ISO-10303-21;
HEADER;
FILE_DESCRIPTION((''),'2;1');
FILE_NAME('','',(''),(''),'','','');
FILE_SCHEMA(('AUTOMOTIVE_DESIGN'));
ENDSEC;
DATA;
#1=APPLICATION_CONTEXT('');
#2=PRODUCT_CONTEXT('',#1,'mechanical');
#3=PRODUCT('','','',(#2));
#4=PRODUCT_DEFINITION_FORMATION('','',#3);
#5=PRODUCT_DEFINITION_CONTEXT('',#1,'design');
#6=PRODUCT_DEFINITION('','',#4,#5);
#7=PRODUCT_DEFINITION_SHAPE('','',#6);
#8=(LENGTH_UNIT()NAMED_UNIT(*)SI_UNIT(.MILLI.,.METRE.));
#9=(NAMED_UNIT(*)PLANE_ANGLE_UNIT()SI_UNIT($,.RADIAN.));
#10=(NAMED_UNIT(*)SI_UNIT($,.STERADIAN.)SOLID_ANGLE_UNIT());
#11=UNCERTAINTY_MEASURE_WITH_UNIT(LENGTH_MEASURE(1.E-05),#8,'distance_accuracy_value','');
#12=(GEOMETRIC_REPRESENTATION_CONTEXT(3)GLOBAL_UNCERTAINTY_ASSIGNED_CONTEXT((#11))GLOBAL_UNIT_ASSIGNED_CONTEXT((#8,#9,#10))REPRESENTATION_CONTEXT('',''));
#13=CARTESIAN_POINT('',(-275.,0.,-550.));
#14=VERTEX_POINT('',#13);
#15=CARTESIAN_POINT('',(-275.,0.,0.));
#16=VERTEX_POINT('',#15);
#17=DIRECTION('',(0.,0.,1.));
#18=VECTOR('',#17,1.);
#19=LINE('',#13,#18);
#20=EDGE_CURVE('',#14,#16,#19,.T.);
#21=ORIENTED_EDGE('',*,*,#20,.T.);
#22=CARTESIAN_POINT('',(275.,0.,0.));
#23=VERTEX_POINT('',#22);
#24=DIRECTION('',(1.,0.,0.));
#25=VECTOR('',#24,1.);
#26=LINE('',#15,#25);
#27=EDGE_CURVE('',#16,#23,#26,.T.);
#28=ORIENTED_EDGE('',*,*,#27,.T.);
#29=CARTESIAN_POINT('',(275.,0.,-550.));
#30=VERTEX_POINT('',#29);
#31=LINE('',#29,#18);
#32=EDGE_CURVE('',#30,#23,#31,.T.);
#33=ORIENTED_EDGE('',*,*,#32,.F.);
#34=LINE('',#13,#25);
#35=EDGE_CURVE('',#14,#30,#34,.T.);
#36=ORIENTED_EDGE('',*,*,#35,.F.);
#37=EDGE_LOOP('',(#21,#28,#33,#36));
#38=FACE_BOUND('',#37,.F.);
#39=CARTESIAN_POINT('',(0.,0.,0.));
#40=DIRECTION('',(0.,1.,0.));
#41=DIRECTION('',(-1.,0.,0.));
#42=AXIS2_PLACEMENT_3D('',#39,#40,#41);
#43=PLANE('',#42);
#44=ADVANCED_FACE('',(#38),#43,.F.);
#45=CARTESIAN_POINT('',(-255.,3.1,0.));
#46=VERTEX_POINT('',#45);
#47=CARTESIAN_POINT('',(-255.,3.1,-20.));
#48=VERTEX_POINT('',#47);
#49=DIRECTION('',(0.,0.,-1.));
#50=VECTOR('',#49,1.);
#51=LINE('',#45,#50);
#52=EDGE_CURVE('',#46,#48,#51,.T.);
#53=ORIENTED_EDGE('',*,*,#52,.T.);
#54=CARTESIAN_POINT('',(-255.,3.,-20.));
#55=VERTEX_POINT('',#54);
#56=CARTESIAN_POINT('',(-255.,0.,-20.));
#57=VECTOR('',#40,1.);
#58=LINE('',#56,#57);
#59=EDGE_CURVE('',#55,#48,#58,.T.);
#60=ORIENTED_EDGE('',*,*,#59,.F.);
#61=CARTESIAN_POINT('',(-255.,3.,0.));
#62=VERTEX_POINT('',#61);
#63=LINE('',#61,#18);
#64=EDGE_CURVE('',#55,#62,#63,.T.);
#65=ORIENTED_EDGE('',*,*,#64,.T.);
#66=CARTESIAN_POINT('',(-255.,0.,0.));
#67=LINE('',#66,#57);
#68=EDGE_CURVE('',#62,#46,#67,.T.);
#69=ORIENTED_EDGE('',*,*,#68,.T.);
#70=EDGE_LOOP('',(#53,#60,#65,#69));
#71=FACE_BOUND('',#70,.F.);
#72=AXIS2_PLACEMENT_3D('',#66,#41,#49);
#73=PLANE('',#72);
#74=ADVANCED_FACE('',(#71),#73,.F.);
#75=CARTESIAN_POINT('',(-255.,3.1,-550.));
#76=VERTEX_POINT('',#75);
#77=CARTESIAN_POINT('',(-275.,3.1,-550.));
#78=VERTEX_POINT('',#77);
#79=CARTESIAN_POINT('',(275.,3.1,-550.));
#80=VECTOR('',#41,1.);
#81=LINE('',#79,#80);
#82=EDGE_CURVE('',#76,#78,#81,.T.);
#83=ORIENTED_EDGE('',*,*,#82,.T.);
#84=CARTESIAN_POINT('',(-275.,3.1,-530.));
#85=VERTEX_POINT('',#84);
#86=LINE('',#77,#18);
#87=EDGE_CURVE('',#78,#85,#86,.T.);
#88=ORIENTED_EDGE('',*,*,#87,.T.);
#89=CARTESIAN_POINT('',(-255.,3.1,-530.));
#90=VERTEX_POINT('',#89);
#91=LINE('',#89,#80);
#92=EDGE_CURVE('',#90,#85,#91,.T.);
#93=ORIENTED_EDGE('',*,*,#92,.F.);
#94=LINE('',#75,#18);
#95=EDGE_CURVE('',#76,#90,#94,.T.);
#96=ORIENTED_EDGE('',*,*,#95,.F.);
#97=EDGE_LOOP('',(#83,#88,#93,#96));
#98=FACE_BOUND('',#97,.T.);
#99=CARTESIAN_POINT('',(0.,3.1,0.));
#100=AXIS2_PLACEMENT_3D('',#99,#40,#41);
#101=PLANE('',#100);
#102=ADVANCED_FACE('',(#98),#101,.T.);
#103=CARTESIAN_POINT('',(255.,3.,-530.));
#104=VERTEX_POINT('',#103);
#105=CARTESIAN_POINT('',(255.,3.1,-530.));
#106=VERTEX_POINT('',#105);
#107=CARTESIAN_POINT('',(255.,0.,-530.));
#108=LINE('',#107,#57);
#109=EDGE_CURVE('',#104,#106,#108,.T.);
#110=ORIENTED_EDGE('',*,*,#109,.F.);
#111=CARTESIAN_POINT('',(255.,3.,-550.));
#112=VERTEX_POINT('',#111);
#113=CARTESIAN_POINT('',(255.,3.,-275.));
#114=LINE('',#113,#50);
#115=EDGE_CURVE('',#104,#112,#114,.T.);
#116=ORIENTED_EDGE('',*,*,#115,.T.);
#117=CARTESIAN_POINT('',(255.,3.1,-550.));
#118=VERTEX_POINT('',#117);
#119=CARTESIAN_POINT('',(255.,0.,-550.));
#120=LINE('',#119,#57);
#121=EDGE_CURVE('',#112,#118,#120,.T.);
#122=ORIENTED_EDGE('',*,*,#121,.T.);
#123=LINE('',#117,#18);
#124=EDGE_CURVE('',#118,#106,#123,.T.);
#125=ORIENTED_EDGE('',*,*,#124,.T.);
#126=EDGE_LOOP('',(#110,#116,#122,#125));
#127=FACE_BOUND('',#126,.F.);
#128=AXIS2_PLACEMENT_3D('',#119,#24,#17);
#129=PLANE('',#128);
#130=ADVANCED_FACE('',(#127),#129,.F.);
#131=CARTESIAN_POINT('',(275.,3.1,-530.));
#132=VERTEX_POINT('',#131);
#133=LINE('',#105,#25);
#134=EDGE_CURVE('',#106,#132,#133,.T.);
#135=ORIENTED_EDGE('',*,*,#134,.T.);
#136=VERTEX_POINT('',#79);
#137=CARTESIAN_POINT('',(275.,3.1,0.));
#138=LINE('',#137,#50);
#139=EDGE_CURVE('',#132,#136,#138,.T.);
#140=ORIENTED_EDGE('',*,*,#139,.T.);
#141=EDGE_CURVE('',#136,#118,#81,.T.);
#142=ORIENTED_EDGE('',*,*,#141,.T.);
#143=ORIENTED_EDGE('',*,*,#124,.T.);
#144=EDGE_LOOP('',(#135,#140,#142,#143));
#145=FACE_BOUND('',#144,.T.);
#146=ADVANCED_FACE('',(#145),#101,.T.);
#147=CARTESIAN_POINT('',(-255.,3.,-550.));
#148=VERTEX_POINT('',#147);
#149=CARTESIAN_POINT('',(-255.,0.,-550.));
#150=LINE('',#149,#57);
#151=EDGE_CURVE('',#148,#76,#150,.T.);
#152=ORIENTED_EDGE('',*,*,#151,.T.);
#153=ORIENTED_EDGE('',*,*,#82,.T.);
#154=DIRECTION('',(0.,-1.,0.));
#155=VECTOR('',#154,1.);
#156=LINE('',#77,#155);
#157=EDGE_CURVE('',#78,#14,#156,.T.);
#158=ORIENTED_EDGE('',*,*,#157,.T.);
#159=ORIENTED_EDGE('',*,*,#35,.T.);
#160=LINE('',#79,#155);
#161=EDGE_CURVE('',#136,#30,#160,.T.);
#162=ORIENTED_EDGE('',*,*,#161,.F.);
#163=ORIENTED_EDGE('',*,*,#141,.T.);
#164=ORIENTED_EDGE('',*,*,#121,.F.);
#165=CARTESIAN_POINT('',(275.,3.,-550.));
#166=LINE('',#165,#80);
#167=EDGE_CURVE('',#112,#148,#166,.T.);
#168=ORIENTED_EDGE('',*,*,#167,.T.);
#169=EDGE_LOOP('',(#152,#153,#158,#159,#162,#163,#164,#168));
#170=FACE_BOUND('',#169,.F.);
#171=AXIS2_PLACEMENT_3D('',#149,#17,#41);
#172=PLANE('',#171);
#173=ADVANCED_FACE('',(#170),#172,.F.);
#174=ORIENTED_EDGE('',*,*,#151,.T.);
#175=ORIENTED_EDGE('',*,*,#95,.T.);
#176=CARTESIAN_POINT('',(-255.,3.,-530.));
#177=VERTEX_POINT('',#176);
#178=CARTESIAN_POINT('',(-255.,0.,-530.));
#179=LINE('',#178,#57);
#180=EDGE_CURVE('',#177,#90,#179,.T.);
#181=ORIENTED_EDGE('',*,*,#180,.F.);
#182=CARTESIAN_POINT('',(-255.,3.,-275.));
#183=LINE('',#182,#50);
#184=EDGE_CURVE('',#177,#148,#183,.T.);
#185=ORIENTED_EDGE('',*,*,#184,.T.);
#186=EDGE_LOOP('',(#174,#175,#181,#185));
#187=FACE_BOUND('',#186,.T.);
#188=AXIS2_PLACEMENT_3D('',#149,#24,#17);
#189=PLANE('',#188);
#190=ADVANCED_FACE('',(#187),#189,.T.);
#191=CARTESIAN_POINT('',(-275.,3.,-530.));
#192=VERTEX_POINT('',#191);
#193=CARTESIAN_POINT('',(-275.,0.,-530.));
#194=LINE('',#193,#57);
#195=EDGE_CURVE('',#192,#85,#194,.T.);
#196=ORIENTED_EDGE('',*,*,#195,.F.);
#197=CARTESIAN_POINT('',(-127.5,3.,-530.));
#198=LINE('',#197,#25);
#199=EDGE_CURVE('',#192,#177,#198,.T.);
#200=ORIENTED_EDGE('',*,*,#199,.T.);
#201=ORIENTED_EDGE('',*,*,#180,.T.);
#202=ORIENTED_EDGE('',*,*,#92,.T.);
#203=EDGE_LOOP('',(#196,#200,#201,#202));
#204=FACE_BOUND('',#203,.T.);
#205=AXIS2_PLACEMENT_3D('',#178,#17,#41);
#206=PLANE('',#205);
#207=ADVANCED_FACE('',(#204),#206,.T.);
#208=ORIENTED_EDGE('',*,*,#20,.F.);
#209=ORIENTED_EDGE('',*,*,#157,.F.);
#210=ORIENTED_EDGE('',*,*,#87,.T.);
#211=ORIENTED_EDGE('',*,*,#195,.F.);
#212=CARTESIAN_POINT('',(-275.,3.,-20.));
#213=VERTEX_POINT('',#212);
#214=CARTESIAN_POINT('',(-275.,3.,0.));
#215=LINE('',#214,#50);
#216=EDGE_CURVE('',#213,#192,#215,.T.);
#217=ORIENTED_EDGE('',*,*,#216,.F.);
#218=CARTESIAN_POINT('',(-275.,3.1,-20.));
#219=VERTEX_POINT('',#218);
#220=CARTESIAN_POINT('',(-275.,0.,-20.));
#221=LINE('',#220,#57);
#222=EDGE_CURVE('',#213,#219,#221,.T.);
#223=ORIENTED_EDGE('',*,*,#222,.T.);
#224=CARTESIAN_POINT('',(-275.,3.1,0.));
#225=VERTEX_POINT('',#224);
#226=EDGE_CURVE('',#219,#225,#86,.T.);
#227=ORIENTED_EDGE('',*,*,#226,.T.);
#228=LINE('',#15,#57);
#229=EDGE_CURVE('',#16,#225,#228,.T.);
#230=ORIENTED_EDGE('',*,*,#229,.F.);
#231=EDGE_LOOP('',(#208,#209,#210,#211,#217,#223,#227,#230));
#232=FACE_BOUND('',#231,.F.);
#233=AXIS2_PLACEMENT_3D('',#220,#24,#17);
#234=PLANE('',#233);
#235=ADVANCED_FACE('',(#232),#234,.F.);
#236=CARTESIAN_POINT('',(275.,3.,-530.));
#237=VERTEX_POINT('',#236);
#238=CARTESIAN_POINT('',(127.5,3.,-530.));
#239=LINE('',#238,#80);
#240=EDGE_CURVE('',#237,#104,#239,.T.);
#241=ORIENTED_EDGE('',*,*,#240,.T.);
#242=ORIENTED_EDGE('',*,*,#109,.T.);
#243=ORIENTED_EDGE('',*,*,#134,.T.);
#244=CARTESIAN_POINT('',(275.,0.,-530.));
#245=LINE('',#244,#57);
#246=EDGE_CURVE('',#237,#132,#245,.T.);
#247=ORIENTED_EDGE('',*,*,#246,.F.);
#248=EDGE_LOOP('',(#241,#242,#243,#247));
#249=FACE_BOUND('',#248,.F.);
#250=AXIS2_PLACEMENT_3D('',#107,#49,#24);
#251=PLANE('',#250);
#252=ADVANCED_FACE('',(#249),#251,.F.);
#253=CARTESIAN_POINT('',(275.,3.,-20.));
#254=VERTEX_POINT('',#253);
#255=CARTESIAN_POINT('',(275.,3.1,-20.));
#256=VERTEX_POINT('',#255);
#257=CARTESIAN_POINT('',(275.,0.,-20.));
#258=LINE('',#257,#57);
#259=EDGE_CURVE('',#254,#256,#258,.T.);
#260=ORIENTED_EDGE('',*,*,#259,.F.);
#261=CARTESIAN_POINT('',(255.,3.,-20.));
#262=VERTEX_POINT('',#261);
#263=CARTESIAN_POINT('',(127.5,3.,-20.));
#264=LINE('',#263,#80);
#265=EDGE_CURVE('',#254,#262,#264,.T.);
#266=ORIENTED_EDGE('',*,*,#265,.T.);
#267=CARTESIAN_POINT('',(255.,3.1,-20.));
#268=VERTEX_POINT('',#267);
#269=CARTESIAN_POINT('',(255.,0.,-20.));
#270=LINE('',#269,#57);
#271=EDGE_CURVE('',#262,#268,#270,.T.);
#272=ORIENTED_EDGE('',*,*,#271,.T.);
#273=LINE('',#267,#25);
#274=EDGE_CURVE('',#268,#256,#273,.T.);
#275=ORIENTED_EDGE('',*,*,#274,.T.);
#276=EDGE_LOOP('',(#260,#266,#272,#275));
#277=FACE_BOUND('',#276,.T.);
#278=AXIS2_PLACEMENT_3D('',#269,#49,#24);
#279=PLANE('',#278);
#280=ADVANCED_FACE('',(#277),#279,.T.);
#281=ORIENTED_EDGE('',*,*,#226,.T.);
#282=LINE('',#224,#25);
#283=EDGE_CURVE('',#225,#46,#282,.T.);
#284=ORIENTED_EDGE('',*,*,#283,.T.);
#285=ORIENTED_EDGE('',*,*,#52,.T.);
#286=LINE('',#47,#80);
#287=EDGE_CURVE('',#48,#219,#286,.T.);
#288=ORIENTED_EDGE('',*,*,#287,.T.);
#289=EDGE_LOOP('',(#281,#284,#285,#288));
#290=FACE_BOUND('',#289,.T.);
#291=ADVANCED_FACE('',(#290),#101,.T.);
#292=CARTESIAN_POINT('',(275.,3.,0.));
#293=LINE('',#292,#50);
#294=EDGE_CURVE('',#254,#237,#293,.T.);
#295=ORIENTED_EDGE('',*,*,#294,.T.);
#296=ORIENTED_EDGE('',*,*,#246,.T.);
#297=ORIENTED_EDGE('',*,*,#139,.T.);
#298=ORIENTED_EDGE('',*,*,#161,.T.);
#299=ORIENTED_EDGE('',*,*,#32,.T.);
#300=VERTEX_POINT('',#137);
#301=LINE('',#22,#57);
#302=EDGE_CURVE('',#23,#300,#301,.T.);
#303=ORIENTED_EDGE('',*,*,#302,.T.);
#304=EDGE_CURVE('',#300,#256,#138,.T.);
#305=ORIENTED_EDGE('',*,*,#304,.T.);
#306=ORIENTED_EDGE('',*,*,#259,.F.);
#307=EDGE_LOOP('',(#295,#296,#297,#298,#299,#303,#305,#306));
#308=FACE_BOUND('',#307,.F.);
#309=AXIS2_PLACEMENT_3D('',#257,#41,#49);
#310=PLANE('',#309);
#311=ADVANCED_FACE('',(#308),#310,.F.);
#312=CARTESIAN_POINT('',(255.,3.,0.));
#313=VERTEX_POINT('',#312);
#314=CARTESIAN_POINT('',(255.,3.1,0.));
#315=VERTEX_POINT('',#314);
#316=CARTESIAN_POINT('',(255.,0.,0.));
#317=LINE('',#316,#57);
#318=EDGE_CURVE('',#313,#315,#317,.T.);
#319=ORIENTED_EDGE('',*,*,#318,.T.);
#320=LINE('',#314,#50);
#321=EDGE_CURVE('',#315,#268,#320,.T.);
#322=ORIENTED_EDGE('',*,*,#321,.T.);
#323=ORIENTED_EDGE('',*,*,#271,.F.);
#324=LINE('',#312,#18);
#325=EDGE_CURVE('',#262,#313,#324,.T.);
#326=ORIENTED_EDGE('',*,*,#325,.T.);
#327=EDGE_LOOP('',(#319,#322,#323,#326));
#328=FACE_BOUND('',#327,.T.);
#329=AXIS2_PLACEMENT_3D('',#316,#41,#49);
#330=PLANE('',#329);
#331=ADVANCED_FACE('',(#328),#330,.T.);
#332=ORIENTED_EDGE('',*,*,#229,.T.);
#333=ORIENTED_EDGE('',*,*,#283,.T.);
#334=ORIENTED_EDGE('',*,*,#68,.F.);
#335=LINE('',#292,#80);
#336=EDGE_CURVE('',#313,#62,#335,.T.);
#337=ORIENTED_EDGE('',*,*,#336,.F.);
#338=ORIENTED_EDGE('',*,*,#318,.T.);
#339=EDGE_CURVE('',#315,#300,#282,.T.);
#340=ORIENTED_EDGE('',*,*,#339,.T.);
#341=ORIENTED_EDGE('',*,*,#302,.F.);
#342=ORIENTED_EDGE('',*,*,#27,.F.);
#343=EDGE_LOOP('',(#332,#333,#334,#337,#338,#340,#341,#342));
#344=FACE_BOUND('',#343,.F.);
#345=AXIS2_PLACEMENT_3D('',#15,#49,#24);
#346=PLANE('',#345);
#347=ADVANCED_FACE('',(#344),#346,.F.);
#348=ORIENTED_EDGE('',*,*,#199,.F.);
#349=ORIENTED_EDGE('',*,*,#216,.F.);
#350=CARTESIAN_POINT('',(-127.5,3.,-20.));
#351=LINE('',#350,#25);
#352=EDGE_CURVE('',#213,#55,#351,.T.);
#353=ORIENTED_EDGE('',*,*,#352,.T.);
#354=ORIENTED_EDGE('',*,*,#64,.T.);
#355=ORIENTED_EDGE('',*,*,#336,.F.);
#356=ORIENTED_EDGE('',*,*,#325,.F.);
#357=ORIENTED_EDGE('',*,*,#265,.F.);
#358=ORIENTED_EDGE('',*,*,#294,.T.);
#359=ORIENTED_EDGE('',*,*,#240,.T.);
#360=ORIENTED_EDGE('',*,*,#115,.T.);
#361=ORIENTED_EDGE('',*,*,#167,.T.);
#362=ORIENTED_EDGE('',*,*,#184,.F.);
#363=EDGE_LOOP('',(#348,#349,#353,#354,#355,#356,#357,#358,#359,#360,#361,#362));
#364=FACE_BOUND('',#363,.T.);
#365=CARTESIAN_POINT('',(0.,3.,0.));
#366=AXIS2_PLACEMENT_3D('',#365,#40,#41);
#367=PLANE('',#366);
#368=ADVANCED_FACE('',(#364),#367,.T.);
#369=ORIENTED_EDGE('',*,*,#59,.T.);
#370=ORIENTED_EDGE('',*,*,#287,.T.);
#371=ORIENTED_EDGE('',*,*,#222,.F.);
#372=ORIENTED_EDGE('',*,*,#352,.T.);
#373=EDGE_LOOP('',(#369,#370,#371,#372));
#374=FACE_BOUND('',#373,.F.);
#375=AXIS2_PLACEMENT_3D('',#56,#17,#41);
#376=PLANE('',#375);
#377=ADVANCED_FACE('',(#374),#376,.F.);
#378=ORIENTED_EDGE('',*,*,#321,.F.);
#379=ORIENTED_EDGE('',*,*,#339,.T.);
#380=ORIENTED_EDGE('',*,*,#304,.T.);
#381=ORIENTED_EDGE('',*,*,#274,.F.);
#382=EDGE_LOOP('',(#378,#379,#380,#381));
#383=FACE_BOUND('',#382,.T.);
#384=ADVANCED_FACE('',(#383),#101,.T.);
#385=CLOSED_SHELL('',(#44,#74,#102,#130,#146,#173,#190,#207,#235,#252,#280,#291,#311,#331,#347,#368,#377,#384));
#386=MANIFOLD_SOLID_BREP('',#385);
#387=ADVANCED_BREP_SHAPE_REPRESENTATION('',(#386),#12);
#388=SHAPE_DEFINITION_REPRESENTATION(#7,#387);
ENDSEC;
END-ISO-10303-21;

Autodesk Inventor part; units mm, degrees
ref_plane "YZ Plane" through (0, 0, 0) normal (1, 0, 0) x (0, 1, 0)
ref_plane "XZ Plane" through (0, 0, 0) normal (0, 1, 0) x (-1, 0, 0)
ref_plane "XY Plane" through (0, 0, 0) normal (0, 0, 1) x (1, 0, 0)
sketch "Sketch1" plane through (0, 0, 0) normal (0, 1, 0) x (-1, 0, 0)
  line L0 (275, 0) -> (-275, 0)
  line L1 (-275, 0) -> (-275, -550)
  line L2 (-275, -550) -> (275, -550)
  line L3 (275, -550) -> (275, 0)
  line L4 (275, 0) -> (255, 0)
  line L5 (255, 0) -> (255, -20)
  line L6 (255, -20) -> (275, -20)
  line L7 (275, -20) -> (275, 0)
  line L8 (275, -550) -> (255, -550)
  line L9 (255, -550) -> (255, -530)
  line L10 (255, -530) -> (275, -530)
  line L11 (275, -530) -> (275, -550)
  line L12 (-275, 0) -> (-255, 0)
  line L13 (-255, 0) -> (-255, -20)
  line L14 (-255, -20) -> (-275, -20)
  line L15 (-275, -20) -> (-275, 0)
  line L16 (-275, -550) -> (-255, -550)
  line L17 (-255, -550) -> (-255, -530)
  line L18 (-255, -530) -> (-275, -530)
  line L19 (-275, -530) -> (-275, -550)
  point P0 (0, 0)
  point P1 (0, 0)
  dimension "d0" = 550
  dimension "d1" = 550
  dimension "d4" = 20
  dimension "d5" = 20
  dimension "d6" = 20
  dimension "d7" = 20
  dimension "d8" = 20
  dimension "d9" = 20
  dimension "d10" = 20
  dimension "d11" = 20
extrude "Extrusion1" add sketch "Sketch1" along normal blind 3
extrude "Extrusion2" add sketch "Sketch1" along normal blind 3.1 contours L3 L6 L5 L0 | L13 L14 L1 L0 | L3 L2 L9 L10 | L18 L17 L2 L1
equation "\"d0\" = track_width"
equation "\"d1\" = track_width"
equation "\"d4\" = curb_width"
equation "\"d5\" = curb_width"
equation "\"d6\" = curb_width"
equation "\"d7\" = curb_width"
equation "\"d8\" = curb_width"
equation "\"d9\" = curb_width"
equation "\"d10\" = curb_width"
equation "\"d11\" = curb_width"
equation "\"d2\" = track_height"
equation "\"d12\" = track_height + curb_height"
equation "\"track_width\" = 550"
equation "\"curb_width\" = 20"
equation "\"track_height\" = 3"
equation "\"curb_height\" = 0.1"
properties part number "intersection_center"
